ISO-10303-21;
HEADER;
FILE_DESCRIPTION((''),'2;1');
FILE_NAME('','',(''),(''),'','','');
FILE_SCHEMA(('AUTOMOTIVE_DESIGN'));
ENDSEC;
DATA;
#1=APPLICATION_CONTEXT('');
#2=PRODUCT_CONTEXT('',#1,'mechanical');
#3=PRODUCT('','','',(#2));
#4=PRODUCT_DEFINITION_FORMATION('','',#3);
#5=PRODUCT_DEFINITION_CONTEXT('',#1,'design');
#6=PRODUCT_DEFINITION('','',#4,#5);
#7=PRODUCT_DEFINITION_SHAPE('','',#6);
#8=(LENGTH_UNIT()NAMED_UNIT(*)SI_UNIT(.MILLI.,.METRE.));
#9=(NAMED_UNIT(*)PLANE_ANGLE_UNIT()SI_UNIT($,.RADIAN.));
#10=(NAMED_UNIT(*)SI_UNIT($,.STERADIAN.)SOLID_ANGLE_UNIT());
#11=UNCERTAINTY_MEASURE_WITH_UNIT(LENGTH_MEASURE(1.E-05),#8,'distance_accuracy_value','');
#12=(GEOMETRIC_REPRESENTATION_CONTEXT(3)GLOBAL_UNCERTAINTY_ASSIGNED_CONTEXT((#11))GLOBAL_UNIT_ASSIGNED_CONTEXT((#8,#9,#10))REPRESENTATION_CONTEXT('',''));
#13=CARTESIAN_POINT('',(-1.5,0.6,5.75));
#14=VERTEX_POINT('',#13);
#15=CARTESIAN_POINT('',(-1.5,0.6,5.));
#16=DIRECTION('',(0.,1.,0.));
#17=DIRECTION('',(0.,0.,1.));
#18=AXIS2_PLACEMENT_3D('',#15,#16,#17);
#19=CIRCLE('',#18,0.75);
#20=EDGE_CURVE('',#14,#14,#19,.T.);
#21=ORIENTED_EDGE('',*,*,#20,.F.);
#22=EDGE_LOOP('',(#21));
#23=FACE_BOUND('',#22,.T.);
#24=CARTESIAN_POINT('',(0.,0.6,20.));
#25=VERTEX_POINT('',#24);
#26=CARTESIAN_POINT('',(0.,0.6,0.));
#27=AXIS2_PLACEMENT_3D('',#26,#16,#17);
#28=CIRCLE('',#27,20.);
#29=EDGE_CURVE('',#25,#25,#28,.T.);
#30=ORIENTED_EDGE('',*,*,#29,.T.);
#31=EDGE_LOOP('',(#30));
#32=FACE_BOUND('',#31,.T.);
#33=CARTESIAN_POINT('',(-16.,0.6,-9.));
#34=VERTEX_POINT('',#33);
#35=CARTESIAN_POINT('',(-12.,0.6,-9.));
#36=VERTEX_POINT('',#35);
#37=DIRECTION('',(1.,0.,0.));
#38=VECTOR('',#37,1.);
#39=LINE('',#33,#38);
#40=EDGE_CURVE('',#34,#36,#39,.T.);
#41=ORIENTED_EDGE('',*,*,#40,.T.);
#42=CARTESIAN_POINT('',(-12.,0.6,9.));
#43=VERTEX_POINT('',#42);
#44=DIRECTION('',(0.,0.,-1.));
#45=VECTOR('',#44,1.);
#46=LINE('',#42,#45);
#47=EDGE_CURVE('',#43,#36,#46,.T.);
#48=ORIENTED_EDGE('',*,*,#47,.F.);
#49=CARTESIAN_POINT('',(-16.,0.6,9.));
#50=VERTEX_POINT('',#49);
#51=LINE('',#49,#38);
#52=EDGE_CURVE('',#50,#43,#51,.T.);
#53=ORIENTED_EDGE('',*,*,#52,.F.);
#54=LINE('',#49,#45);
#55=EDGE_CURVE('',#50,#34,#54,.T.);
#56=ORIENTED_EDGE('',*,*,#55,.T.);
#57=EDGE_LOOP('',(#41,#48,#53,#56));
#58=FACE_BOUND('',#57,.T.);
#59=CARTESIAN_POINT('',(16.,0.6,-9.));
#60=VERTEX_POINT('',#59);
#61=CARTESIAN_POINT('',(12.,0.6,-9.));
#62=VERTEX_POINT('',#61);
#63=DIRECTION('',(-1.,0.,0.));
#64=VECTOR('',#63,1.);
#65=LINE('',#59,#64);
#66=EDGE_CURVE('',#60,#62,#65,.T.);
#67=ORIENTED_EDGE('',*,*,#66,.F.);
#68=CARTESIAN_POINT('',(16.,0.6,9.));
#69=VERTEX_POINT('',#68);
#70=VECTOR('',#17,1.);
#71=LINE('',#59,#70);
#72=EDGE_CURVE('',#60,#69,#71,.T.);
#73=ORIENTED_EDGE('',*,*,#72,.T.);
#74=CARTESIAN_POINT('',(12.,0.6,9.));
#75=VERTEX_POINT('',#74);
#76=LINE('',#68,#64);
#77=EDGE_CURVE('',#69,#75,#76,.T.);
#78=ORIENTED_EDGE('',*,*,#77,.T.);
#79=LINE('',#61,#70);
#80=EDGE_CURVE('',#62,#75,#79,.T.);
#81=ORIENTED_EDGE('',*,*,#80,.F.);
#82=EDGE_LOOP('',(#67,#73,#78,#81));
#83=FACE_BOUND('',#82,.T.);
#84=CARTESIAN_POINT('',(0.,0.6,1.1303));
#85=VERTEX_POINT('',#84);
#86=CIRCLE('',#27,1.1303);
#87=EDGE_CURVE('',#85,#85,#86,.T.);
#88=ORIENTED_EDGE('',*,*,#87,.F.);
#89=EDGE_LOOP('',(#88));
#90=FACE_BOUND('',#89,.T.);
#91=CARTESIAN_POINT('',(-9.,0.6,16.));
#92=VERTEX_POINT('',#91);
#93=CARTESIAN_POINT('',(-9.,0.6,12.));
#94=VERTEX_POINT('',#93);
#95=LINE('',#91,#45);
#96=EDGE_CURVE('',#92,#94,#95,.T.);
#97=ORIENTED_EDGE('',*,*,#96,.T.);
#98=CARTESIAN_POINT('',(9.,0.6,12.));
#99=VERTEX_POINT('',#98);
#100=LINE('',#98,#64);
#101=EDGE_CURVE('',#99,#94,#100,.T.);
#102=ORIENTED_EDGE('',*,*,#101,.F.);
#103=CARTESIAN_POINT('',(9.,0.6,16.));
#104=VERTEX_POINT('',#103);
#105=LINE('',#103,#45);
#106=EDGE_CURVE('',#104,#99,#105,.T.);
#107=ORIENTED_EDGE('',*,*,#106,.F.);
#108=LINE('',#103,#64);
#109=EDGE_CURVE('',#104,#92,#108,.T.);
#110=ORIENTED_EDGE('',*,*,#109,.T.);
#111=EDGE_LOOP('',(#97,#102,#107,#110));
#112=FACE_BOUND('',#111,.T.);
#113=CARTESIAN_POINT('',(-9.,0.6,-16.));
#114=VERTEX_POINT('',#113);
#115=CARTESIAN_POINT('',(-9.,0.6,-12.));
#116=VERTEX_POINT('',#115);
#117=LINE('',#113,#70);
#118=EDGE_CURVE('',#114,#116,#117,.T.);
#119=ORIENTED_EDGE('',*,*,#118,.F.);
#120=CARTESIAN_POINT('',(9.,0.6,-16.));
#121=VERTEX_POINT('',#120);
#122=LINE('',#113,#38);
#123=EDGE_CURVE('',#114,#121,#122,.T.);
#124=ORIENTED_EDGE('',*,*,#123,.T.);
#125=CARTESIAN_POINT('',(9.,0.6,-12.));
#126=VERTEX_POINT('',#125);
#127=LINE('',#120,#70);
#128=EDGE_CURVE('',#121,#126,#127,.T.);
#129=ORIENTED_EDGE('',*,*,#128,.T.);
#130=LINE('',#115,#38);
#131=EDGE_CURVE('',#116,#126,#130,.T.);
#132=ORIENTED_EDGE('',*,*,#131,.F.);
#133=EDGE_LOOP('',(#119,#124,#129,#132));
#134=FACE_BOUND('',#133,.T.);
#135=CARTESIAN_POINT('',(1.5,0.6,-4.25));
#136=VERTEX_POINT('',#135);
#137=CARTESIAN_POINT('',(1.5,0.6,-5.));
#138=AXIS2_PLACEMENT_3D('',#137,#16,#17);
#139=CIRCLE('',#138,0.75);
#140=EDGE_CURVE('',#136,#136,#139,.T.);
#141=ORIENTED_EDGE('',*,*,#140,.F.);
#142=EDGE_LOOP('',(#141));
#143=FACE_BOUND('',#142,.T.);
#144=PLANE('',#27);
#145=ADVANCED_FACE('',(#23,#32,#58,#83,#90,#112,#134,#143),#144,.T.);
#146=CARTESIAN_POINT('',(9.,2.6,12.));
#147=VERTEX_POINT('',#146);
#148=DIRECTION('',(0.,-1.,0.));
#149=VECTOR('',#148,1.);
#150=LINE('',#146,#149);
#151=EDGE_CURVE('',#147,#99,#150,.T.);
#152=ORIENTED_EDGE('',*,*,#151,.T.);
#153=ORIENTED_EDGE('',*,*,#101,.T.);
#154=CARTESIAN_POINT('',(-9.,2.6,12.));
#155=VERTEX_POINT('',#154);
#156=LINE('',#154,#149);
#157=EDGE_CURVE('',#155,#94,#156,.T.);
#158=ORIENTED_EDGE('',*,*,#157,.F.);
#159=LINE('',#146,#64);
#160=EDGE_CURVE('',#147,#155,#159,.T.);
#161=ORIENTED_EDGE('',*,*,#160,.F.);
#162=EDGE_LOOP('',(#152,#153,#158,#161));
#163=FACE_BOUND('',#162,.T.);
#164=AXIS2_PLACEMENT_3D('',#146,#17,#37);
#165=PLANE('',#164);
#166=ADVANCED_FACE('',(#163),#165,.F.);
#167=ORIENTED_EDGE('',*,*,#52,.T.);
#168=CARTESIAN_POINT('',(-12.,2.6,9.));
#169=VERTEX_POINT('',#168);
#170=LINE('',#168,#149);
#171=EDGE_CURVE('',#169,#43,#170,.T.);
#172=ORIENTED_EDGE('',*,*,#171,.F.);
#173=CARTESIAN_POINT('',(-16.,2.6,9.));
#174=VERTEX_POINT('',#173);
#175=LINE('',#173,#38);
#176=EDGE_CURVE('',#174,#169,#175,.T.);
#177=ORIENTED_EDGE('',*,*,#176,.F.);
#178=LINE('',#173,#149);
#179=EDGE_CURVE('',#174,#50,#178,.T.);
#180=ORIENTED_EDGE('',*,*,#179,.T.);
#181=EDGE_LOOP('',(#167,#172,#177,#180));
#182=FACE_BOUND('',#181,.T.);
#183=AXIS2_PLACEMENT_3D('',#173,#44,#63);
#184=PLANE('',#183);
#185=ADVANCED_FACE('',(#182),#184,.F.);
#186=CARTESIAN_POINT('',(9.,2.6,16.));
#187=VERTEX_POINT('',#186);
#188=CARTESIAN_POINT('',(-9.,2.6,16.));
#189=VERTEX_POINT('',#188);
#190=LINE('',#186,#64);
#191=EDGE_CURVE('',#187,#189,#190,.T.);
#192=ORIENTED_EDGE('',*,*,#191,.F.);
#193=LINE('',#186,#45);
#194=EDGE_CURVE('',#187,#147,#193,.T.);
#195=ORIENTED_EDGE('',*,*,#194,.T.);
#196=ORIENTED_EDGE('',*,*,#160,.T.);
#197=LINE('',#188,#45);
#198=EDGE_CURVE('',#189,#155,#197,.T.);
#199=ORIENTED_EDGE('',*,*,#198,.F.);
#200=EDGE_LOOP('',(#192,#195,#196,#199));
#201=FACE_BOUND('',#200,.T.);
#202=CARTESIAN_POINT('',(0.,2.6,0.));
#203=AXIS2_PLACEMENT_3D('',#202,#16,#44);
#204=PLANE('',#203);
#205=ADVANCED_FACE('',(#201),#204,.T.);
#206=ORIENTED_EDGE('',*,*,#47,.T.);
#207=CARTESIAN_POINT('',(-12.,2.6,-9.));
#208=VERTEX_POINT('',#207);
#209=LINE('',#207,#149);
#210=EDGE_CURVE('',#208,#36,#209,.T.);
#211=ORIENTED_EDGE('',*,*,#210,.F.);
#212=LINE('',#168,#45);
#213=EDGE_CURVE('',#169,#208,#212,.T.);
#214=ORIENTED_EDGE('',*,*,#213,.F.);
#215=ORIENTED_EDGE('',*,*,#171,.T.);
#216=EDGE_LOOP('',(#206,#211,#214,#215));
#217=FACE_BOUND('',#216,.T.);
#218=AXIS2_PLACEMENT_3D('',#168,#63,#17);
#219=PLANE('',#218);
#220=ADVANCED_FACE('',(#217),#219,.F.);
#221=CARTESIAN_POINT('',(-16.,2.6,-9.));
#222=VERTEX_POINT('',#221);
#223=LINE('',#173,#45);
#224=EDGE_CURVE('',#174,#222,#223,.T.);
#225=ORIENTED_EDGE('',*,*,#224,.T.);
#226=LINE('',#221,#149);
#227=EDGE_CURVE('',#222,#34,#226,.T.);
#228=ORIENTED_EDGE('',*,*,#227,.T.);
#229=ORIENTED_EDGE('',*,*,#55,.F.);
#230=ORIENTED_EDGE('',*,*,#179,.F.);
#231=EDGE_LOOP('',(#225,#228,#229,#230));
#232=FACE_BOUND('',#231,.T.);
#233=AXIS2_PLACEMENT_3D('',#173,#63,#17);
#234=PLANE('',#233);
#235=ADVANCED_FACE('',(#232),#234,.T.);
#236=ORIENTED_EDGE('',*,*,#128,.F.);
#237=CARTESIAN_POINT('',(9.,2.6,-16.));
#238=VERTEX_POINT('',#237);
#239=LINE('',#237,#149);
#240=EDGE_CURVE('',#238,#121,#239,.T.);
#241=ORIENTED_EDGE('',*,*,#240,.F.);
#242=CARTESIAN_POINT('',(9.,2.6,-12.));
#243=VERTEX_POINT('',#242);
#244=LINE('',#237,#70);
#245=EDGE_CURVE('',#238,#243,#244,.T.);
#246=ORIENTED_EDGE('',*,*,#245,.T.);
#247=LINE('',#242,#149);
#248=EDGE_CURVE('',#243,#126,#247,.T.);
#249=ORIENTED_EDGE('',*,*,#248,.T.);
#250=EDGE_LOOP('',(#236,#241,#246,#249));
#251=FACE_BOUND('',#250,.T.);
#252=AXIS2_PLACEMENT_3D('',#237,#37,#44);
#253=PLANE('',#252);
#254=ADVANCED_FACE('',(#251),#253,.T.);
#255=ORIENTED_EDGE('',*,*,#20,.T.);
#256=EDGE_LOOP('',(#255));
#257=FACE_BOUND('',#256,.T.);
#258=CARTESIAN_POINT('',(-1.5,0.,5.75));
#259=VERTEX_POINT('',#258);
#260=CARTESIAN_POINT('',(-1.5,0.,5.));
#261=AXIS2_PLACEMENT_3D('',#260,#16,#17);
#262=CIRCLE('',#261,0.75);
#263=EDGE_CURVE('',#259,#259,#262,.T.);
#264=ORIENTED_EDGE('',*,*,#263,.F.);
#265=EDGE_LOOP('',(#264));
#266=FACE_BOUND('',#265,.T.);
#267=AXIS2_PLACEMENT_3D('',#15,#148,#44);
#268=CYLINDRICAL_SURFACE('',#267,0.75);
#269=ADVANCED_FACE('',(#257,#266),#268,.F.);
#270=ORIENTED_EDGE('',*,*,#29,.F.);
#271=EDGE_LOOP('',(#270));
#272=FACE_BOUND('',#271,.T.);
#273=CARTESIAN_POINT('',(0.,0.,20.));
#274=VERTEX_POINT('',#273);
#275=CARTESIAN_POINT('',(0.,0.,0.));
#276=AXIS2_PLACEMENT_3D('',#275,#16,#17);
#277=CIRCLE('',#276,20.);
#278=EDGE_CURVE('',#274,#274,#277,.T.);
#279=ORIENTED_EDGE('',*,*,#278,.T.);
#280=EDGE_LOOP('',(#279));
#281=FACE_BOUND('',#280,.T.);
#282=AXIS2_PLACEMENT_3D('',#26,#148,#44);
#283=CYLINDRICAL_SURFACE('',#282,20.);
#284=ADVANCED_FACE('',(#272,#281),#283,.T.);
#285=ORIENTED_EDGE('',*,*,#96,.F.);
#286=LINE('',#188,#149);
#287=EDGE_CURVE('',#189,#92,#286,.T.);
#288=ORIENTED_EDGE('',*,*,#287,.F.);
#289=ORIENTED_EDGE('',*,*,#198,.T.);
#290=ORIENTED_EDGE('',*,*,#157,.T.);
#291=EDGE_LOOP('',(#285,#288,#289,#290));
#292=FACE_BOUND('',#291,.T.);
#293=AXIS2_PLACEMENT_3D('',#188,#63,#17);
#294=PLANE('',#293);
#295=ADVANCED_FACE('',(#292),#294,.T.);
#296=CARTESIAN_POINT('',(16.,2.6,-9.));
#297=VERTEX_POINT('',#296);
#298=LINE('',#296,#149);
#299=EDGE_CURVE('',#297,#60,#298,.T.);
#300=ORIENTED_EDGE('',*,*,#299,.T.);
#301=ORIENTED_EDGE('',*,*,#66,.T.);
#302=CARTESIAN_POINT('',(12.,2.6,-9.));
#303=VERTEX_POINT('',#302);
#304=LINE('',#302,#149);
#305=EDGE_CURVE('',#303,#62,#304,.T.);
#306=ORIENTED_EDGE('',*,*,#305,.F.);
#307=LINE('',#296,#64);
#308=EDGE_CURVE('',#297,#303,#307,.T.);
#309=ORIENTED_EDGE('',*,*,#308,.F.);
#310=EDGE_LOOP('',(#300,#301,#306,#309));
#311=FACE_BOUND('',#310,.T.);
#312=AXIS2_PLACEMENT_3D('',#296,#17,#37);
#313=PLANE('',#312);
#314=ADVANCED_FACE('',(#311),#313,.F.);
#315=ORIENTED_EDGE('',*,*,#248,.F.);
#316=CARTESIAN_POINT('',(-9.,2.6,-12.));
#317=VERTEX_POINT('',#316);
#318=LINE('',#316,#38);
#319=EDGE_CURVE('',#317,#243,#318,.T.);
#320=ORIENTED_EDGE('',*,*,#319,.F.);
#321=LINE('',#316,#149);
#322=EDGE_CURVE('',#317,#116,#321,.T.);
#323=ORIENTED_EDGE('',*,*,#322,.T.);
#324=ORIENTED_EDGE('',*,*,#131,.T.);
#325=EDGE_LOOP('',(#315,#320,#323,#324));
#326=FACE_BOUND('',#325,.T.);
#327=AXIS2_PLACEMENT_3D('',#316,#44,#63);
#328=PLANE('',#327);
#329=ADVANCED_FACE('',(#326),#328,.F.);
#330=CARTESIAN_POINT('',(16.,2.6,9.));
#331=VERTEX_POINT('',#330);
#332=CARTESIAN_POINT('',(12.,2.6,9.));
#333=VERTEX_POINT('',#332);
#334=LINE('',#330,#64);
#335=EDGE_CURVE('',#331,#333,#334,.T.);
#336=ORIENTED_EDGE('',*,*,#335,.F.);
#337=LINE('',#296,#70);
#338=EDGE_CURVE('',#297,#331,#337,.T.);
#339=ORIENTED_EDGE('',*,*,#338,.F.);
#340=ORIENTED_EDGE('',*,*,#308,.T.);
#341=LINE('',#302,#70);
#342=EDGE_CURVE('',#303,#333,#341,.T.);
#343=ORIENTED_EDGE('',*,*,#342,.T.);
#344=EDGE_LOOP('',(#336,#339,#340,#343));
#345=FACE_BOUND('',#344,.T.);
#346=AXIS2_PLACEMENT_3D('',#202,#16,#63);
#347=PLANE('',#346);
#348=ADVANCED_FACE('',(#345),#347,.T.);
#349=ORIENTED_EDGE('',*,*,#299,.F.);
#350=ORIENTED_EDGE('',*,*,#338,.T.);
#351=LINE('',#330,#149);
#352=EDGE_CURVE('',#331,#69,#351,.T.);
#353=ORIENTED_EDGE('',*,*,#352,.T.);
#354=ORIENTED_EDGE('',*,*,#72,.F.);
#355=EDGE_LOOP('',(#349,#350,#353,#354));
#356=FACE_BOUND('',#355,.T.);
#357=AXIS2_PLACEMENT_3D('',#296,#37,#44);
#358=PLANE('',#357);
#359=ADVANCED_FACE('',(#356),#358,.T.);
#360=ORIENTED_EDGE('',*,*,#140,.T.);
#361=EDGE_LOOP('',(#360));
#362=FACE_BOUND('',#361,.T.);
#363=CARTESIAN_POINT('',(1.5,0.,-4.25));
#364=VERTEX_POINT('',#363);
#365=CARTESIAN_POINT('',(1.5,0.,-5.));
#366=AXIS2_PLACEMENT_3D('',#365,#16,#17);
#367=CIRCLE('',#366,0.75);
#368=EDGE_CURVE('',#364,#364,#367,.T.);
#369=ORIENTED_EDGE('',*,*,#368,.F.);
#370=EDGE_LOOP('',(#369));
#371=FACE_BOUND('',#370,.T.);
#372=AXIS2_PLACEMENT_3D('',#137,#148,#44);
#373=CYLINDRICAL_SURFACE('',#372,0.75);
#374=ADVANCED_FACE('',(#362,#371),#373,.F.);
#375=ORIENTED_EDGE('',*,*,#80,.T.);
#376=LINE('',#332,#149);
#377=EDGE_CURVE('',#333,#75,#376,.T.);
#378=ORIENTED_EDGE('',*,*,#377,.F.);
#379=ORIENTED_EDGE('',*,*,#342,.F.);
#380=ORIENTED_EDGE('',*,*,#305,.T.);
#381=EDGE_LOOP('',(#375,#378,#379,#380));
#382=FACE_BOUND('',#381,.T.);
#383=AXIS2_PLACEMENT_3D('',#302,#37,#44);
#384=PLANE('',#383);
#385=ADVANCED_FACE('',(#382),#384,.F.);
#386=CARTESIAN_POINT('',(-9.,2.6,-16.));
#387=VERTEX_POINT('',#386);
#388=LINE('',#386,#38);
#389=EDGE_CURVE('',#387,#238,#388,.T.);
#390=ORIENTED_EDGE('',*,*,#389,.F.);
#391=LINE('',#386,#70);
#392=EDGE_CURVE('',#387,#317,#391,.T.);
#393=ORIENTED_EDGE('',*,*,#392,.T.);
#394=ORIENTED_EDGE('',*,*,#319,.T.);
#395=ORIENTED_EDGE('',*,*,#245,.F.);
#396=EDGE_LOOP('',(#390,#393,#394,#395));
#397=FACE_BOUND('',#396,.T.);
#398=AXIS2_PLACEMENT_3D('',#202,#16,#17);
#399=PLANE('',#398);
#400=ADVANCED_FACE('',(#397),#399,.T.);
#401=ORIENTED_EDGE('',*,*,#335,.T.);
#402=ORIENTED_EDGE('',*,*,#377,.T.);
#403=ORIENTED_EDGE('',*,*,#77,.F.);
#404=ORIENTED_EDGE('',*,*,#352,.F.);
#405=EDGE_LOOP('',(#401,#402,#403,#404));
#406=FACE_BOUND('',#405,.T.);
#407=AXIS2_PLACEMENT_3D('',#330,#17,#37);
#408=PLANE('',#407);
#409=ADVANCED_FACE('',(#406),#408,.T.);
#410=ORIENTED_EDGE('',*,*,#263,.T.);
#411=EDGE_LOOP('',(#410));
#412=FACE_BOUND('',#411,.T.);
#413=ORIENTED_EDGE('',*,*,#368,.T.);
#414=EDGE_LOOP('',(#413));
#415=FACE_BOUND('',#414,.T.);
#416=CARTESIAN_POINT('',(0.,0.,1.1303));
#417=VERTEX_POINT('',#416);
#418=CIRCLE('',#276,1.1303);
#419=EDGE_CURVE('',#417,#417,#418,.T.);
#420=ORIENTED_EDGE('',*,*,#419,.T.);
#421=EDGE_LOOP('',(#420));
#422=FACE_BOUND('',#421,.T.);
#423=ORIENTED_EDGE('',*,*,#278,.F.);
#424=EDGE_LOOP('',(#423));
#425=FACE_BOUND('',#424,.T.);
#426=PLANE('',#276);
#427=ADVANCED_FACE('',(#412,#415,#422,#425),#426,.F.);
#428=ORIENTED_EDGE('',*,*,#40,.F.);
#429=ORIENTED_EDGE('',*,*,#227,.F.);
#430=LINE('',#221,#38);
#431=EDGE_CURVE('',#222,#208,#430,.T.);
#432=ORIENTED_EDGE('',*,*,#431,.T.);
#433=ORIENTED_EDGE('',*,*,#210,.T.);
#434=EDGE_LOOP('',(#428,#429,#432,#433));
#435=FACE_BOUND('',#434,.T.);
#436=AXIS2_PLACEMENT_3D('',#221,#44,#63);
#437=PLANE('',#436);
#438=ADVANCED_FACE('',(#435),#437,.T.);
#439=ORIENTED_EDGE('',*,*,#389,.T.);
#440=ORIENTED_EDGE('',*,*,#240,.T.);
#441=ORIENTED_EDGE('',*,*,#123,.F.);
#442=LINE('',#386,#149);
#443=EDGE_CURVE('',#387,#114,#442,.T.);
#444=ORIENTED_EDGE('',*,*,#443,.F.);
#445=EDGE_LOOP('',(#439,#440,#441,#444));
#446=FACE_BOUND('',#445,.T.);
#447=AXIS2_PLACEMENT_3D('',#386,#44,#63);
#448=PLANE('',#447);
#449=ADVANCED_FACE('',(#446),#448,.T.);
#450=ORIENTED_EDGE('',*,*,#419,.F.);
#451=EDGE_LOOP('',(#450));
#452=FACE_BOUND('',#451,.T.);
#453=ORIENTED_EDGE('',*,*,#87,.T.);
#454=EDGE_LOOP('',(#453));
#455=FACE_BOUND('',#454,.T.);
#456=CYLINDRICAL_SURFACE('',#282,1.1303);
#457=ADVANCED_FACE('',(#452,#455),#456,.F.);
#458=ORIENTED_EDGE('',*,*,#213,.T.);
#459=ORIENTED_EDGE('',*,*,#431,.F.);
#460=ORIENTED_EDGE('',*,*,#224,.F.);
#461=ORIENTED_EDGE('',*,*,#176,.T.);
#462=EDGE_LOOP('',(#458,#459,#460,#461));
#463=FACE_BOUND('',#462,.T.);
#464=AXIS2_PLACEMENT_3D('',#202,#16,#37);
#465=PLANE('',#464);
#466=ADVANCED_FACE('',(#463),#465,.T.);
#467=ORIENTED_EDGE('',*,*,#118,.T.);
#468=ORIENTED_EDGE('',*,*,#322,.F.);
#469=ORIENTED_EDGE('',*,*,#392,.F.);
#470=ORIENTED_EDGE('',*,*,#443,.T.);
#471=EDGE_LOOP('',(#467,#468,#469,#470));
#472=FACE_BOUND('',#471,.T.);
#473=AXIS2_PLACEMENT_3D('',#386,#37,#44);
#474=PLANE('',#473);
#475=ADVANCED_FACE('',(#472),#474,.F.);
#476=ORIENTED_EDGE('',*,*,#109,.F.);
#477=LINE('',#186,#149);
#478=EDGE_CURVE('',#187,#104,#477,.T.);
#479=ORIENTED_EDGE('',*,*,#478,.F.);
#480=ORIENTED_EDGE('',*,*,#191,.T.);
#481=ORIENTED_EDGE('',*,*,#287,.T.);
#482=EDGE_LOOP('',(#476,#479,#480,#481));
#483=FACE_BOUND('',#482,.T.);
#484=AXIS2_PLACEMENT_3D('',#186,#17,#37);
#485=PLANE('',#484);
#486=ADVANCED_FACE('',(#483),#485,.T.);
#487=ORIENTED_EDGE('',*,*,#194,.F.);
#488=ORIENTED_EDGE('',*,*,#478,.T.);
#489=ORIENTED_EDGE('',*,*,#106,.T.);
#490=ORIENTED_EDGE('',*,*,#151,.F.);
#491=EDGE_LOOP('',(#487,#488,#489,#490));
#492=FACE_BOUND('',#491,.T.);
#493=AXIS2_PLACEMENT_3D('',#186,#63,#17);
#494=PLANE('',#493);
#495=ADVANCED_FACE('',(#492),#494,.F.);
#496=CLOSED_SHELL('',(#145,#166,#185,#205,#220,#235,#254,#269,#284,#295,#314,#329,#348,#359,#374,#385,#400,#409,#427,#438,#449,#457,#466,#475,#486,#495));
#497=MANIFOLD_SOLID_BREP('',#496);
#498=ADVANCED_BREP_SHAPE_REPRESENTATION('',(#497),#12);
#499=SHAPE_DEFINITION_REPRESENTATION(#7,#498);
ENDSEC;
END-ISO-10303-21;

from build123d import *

# Parameters (mm, degrees)
SKETCH1_R                    = 20
SKETCH1_R_2                  = 1.1303
SKETCH1_R_3                  = 0.75
PCB_DEPTH                    = 0.6
SKETCH2_W                    = 18
SKETCH2_H                    = 4
HIROSE_CONNECTOR_STACK_DEPTH = 2
CIRPATTERN1_COUNT            = 4


with BuildPart() as part:
    # Sketch1 → PCB (new body)
    with BuildSketch(Plane(origin=(0, 0, 0), x_dir=(1, 0, 0), z_dir=(0, 1, 0))):
        with Locations(Location((0, 0, 0), (0, 0, 270))):
            Circle(SKETCH1_R)
        with Locations(Location((0, 0, 0), (0, 0, 270))):
            Circle(SKETCH1_R_2, mode=Mode.SUBTRACT)
        with Locations(Location((1.5, 5, 0), (0, 0, 270))):
            Circle(SKETCH1_R_3, mode=Mode.SUBTRACT)
        with Locations(Location((-1.5, -5, 0), (0, 0, 270))):
            Circle(SKETCH1_R_3, mode=Mode.SUBTRACT)
    extrude(amount=PCB_DEPTH)

    # Sketch2 → Hirose Connector Stack (add)
    with BuildSketch(Plane(origin=(0, 0.6, 0), x_dir=(1, 0, 0), z_dir=(0, 1, 0))):
        with Locations((0, 14)):
            Rectangle(SKETCH2_W, SKETCH2_H)
    hirose_connector_stack = extrude(amount=HIROSE_CONNECTOR_STACK_DEPTH)

    # CirPattern1: Hirose Connector Stack ×4 about axis
    cirpattern1_axis = Axis((0, 0, 0), (0, 1, 0))
    for i in range(1, CIRPATTERN1_COUNT):
        add(hirose_connector_stack.rotate(cirpattern1_axis, i * 360 / CIRPATTERN1_COUNT))


solid = part.part
